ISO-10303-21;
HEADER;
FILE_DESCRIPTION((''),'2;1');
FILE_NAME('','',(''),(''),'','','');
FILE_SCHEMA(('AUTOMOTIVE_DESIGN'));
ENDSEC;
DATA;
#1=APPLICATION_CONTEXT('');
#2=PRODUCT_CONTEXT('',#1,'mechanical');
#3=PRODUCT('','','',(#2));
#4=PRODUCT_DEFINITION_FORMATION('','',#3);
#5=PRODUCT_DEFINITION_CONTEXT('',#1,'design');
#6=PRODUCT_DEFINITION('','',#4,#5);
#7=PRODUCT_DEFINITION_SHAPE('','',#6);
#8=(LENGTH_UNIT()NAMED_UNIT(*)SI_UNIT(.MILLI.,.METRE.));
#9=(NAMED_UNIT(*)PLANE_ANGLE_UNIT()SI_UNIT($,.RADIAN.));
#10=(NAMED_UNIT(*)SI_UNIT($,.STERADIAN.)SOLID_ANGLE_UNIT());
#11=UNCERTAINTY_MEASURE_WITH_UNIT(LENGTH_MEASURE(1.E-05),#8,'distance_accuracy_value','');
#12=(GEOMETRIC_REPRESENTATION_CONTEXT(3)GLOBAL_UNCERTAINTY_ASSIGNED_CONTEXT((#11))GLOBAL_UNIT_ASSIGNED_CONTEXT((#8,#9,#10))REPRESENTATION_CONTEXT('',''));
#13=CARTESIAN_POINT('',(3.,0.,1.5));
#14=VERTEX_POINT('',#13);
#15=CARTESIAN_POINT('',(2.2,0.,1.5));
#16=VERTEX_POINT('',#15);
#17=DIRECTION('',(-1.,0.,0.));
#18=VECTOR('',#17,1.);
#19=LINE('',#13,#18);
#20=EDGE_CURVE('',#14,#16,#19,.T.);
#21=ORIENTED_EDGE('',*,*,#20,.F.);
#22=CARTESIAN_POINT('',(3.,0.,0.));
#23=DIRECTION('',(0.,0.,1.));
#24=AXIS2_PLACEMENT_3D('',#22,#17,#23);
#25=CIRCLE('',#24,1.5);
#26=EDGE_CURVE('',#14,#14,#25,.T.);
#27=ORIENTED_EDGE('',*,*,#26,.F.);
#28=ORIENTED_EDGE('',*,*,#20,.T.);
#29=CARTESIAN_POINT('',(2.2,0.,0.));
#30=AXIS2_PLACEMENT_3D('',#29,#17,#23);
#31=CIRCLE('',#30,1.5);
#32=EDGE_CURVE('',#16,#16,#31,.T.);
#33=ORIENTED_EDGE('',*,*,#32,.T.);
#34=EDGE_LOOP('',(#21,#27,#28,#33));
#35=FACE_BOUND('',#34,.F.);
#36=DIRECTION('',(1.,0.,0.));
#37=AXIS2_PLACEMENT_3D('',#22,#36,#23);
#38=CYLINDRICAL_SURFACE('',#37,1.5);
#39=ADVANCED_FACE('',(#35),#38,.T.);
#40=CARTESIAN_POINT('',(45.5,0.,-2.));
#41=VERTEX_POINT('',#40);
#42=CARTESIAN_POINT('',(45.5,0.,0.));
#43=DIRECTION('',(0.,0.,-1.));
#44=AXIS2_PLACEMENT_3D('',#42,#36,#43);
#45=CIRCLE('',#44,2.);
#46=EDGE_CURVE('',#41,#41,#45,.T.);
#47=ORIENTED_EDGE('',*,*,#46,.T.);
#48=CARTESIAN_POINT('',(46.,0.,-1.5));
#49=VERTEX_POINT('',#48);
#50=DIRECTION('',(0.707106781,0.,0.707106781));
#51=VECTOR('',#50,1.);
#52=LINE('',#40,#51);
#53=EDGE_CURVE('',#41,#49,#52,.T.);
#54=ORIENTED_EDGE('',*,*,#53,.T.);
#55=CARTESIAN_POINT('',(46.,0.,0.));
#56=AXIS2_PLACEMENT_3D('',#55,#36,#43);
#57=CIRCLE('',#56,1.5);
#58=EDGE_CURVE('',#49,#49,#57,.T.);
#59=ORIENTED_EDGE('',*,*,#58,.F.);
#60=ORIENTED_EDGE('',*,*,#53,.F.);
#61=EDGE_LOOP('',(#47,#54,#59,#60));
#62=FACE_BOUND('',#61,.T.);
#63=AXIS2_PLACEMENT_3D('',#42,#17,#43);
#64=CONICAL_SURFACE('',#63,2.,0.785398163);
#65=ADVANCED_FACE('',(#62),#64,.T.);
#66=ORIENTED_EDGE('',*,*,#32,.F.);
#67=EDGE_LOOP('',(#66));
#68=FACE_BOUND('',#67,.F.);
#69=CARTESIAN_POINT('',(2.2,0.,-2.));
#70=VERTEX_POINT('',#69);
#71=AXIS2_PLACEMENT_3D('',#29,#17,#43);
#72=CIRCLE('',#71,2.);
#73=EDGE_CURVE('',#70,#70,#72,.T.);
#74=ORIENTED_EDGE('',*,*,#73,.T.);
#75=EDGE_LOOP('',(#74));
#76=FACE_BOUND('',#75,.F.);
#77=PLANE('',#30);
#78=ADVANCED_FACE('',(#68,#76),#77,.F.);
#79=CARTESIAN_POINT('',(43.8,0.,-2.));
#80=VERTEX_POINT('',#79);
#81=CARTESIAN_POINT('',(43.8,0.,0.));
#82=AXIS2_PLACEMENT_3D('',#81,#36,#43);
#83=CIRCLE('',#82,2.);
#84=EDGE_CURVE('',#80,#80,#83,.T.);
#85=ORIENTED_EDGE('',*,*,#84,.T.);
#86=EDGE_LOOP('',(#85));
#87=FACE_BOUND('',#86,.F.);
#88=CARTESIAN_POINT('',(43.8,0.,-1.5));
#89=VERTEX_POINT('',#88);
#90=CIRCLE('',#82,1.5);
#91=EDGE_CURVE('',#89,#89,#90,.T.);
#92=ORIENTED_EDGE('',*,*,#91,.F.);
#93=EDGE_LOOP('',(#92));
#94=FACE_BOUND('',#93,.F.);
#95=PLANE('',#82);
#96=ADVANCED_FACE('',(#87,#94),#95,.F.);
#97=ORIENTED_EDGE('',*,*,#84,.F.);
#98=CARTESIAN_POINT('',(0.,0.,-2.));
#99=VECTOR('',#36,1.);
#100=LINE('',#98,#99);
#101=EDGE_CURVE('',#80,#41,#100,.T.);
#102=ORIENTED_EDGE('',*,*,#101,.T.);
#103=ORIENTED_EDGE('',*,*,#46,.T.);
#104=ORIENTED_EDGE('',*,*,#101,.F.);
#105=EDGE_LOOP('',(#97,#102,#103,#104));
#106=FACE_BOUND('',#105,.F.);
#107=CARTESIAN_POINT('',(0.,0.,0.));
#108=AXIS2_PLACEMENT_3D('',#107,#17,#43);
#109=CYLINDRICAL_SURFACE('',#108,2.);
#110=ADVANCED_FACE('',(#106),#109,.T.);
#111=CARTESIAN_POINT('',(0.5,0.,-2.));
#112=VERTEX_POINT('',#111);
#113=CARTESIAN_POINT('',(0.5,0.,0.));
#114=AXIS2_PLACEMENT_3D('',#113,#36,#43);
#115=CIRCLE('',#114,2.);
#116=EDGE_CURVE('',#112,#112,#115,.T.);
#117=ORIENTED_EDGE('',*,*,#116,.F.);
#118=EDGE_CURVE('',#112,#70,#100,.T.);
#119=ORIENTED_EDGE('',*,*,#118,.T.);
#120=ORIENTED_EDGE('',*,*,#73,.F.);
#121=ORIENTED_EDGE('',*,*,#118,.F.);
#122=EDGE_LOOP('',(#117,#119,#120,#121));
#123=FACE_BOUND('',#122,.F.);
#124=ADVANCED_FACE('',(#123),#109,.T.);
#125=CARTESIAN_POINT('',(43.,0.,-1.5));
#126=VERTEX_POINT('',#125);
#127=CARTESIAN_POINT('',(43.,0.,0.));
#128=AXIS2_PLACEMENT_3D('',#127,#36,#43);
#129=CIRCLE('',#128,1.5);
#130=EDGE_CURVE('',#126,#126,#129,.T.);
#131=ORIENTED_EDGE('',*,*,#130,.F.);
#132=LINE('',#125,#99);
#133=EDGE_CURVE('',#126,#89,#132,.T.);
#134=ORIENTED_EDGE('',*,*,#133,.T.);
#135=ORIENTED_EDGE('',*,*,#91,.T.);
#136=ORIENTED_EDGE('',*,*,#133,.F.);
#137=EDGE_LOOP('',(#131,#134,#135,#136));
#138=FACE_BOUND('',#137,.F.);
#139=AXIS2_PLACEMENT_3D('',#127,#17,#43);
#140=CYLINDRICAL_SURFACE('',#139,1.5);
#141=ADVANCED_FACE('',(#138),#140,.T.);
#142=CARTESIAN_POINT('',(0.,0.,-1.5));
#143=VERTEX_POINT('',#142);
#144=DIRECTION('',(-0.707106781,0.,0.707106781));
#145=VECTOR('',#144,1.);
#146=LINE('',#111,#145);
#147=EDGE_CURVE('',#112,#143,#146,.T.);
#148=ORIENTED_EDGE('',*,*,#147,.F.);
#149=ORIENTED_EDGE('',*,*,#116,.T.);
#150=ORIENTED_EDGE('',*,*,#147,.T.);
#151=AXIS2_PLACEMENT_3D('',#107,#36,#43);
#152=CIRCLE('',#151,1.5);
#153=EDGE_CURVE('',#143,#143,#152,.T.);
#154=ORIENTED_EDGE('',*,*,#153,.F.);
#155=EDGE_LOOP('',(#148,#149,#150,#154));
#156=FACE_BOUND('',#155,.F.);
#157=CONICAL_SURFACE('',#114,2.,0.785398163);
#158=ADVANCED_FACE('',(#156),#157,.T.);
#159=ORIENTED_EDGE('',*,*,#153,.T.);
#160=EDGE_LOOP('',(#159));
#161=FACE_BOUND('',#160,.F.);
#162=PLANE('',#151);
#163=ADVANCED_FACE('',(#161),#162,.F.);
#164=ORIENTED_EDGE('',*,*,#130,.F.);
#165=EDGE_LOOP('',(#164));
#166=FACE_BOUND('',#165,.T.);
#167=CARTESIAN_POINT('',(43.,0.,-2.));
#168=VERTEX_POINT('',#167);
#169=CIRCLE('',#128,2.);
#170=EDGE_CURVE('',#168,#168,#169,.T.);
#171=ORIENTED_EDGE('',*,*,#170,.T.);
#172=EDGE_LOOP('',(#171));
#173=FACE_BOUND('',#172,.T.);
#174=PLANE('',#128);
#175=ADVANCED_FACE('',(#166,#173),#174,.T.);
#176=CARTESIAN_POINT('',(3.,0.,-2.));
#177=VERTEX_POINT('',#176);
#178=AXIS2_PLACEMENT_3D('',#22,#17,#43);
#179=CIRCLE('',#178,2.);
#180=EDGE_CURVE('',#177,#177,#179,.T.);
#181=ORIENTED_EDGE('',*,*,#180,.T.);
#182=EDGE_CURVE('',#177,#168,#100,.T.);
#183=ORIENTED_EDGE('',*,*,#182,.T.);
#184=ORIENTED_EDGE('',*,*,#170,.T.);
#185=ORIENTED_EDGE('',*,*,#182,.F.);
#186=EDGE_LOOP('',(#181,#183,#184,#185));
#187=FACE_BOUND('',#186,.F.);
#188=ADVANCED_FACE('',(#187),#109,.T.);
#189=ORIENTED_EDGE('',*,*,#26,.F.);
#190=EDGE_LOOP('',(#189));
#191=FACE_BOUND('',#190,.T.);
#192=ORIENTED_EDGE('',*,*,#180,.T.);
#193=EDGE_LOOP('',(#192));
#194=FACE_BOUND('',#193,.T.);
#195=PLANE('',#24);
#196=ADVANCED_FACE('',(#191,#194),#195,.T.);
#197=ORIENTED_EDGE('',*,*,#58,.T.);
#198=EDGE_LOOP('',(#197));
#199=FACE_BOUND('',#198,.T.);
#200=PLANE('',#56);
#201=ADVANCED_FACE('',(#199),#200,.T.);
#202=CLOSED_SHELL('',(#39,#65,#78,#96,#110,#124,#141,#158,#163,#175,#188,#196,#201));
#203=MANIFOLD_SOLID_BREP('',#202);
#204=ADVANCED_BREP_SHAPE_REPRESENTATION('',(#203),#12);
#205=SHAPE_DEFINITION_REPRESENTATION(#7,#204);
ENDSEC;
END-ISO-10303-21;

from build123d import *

# Parameters (mm, degrees)
SKETCH1_R           = 2
BOSS_EXTRUDE1_DEPTH = 46
CHAMFER1_SIZE       = 0.5
CUT_EXTRUDE1_START  = -3
SKETCH2_R           = 2
SKETCH2_R_2         = 1.5
CUT_EXTRUDE1_DEPTH  = 0.8
CUT_EXTRUDE2_START  = -3
SKETCH3_R           = 2
SKETCH3_R_2         = 1.5
CUT_EXTRUDE2_DEPTH  = 0.8


with BuildPart() as part:
    # Sketch1 → Boss-Extrude1 (new body)
    with BuildSketch(Plane(origin=(0, 0, 0), x_dir=(0, 0, -1), z_dir=(1, 0, 0))):
        Circle(SKETCH1_R)
    extrude(amount=BOSS_EXTRUDE1_DEPTH)

    # Chamfer1
    chamfer1_edges = [part.edges().sort_by_distance(p)[0] for p in [
        (0, 0, 2),
        (46, 0, 2),
    ]]
    chamfer(chamfer1_edges, length=CHAMFER1_SIZE)

    # Sketch2 → Cut-Extrude1 (cut)
    with BuildSketch(Plane(origin=(46, 0, 0), x_dir=(0, 0, -1), z_dir=(1, 0, 0)).offset(CUT_EXTRUDE1_START)):
        Circle(SKETCH2_R)
        Circle(SKETCH2_R_2, mode=Mode.SUBTRACT)
    extrude(amount=CUT_EXTRUDE1_DEPTH, mode=Mode.SUBTRACT)

    # Sketch3 → Cut-Extrude2 (cut)
    with BuildSketch(Plane.ZY.offset(CUT_EXTRUDE2_START)):
        Circle(SKETCH3_R)
        Circle(SKETCH3_R_2, mode=Mode.SUBTRACT)
    extrude(amount=CUT_EXTRUDE2_DEPTH, mode=Mode.SUBTRACT)


solid = part.part
